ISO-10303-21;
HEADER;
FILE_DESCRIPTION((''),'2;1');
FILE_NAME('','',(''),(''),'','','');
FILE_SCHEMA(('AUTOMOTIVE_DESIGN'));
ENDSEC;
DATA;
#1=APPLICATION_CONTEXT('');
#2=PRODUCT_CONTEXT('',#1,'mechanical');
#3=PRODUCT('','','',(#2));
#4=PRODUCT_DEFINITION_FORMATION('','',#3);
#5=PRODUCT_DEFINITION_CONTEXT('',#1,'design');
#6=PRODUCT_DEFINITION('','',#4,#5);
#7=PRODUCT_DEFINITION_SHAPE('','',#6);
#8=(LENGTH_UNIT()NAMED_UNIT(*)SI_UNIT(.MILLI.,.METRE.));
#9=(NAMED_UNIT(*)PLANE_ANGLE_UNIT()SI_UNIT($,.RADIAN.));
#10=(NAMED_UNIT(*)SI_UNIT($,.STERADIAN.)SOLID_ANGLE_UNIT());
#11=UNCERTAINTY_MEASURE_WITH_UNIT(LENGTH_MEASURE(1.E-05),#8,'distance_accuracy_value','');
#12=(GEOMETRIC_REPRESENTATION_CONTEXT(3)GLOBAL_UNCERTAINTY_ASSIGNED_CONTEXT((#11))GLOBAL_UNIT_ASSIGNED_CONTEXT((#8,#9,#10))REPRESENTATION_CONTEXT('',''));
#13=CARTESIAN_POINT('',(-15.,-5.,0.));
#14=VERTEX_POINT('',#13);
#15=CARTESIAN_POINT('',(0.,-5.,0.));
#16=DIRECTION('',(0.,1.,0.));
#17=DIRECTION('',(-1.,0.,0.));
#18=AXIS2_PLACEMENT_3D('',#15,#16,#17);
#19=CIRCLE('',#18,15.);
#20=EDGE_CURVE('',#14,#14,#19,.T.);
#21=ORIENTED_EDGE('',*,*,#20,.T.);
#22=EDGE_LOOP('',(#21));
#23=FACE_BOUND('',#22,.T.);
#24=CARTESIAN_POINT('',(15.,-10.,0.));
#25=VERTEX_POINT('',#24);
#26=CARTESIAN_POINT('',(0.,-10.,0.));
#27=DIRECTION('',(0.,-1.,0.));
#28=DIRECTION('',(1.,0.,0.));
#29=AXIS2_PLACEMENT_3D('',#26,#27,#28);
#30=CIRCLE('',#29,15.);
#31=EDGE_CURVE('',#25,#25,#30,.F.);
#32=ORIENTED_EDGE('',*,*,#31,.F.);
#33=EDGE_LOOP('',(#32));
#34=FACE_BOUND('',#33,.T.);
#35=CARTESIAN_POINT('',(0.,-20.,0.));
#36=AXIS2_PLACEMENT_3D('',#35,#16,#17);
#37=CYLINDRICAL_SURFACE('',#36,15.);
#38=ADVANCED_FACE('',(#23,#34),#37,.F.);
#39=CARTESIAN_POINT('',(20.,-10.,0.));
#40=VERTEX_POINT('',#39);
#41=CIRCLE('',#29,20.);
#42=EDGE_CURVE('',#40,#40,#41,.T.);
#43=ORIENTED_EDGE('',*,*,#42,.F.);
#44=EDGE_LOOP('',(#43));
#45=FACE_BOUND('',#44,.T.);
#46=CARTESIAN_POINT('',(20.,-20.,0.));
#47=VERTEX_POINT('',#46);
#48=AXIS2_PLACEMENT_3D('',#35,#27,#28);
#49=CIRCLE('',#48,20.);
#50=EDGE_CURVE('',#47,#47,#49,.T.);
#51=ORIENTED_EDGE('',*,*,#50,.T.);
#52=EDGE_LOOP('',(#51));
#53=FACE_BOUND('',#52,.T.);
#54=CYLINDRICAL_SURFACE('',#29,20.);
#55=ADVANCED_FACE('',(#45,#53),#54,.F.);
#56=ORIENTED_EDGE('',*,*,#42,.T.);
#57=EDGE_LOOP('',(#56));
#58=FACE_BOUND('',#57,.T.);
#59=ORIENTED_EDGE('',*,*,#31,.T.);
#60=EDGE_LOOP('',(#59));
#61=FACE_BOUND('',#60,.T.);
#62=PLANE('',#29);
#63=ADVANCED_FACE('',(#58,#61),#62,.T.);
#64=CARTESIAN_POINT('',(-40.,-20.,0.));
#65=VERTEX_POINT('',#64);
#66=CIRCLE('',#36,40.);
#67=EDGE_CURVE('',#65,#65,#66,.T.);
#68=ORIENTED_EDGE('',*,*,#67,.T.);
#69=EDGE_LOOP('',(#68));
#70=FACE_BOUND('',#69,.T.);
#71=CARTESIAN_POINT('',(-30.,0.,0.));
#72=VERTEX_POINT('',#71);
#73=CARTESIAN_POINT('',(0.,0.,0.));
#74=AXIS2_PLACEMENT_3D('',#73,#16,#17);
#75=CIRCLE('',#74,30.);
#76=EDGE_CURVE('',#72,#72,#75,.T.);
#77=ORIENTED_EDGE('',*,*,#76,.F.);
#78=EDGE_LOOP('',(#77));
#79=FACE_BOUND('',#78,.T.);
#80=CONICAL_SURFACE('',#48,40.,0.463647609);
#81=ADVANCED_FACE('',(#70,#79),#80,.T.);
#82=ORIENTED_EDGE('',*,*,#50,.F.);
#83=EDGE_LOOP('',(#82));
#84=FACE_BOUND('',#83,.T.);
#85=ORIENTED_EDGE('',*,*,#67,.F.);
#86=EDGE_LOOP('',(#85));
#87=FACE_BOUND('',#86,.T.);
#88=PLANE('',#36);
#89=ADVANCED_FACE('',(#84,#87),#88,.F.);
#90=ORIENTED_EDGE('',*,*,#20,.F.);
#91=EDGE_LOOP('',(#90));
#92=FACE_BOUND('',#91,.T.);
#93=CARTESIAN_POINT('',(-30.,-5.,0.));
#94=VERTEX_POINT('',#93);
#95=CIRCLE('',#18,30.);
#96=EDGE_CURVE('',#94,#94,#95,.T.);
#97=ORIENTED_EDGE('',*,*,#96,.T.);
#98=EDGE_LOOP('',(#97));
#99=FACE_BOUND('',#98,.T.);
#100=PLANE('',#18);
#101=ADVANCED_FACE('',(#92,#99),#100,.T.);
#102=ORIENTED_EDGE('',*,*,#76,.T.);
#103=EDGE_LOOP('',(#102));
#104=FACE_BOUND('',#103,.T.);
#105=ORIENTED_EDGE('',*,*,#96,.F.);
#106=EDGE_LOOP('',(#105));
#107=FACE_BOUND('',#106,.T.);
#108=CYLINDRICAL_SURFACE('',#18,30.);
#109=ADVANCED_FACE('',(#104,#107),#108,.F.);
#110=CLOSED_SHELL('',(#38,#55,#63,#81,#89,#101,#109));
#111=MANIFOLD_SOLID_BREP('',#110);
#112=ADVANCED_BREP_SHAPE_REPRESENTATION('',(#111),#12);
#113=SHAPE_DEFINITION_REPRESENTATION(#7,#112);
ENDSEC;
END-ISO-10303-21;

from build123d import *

# Parameters (mm, degrees)
CROQUIS3_R            = 30
CORTAR_EXTRUIR1_DEPTH = 5
CROQUIS4_R            = 15
CORTAR_EXTRUIR2_DEPTH = 59.523499554
CROQUIS5_R            = 20
CORTAR_EXTRUIR3_DEPTH = 10


with BuildPart() as part:
    # Croquis2 → Revolución1 (revolve)
    with BuildSketch(Plane.XY, mode=Mode.PRIVATE) as revoluci_n1_sk:
        Polygon((0, 0), (30, 0), (40, -20), (0, -20), align=None)
    revolve(revoluci_n1_sk.sketch.rotate(Axis((0, 0, 0), (0, -1, 0)), 180), axis=Axis((0, 0, 0), (0, -1, 0)))

    # Croquis3 → Cortar-Extruir1 (cut)
    with BuildSketch(Plane(origin=(0, 0, 0), x_dir=(1, 0, 0), z_dir=(0, 1, 0))):
        with Locations(Location((0, 0, 0), (0, 0, 180))):
            Circle(CROQUIS3_R)
    extrude(amount=-CORTAR_EXTRUIR1_DEPTH, mode=Mode.SUBTRACT)

    # Croquis4 → Cortar-Extruir2 (cut, through all)
    with BuildSketch(Plane(origin=(0, -5, 0), x_dir=(1, 0, 0), z_dir=(0, 1, 0))):
        with Locations(Location((0, 0, 0), (0, 0, 180))):
            Circle(CROQUIS4_R)
    extrude(amount=-CORTAR_EXTRUIR2_DEPTH, mode=Mode.SUBTRACT)

    # Croquis5 → Cortar-Extruir3 (cut)
    with BuildSketch(Plane.XZ.offset(20)):
        Circle(CROQUIS5_R)
    extrude(amount=-CORTAR_EXTRUIR3_DEPTH, mode=Mode.SUBTRACT)


solid = part.part
